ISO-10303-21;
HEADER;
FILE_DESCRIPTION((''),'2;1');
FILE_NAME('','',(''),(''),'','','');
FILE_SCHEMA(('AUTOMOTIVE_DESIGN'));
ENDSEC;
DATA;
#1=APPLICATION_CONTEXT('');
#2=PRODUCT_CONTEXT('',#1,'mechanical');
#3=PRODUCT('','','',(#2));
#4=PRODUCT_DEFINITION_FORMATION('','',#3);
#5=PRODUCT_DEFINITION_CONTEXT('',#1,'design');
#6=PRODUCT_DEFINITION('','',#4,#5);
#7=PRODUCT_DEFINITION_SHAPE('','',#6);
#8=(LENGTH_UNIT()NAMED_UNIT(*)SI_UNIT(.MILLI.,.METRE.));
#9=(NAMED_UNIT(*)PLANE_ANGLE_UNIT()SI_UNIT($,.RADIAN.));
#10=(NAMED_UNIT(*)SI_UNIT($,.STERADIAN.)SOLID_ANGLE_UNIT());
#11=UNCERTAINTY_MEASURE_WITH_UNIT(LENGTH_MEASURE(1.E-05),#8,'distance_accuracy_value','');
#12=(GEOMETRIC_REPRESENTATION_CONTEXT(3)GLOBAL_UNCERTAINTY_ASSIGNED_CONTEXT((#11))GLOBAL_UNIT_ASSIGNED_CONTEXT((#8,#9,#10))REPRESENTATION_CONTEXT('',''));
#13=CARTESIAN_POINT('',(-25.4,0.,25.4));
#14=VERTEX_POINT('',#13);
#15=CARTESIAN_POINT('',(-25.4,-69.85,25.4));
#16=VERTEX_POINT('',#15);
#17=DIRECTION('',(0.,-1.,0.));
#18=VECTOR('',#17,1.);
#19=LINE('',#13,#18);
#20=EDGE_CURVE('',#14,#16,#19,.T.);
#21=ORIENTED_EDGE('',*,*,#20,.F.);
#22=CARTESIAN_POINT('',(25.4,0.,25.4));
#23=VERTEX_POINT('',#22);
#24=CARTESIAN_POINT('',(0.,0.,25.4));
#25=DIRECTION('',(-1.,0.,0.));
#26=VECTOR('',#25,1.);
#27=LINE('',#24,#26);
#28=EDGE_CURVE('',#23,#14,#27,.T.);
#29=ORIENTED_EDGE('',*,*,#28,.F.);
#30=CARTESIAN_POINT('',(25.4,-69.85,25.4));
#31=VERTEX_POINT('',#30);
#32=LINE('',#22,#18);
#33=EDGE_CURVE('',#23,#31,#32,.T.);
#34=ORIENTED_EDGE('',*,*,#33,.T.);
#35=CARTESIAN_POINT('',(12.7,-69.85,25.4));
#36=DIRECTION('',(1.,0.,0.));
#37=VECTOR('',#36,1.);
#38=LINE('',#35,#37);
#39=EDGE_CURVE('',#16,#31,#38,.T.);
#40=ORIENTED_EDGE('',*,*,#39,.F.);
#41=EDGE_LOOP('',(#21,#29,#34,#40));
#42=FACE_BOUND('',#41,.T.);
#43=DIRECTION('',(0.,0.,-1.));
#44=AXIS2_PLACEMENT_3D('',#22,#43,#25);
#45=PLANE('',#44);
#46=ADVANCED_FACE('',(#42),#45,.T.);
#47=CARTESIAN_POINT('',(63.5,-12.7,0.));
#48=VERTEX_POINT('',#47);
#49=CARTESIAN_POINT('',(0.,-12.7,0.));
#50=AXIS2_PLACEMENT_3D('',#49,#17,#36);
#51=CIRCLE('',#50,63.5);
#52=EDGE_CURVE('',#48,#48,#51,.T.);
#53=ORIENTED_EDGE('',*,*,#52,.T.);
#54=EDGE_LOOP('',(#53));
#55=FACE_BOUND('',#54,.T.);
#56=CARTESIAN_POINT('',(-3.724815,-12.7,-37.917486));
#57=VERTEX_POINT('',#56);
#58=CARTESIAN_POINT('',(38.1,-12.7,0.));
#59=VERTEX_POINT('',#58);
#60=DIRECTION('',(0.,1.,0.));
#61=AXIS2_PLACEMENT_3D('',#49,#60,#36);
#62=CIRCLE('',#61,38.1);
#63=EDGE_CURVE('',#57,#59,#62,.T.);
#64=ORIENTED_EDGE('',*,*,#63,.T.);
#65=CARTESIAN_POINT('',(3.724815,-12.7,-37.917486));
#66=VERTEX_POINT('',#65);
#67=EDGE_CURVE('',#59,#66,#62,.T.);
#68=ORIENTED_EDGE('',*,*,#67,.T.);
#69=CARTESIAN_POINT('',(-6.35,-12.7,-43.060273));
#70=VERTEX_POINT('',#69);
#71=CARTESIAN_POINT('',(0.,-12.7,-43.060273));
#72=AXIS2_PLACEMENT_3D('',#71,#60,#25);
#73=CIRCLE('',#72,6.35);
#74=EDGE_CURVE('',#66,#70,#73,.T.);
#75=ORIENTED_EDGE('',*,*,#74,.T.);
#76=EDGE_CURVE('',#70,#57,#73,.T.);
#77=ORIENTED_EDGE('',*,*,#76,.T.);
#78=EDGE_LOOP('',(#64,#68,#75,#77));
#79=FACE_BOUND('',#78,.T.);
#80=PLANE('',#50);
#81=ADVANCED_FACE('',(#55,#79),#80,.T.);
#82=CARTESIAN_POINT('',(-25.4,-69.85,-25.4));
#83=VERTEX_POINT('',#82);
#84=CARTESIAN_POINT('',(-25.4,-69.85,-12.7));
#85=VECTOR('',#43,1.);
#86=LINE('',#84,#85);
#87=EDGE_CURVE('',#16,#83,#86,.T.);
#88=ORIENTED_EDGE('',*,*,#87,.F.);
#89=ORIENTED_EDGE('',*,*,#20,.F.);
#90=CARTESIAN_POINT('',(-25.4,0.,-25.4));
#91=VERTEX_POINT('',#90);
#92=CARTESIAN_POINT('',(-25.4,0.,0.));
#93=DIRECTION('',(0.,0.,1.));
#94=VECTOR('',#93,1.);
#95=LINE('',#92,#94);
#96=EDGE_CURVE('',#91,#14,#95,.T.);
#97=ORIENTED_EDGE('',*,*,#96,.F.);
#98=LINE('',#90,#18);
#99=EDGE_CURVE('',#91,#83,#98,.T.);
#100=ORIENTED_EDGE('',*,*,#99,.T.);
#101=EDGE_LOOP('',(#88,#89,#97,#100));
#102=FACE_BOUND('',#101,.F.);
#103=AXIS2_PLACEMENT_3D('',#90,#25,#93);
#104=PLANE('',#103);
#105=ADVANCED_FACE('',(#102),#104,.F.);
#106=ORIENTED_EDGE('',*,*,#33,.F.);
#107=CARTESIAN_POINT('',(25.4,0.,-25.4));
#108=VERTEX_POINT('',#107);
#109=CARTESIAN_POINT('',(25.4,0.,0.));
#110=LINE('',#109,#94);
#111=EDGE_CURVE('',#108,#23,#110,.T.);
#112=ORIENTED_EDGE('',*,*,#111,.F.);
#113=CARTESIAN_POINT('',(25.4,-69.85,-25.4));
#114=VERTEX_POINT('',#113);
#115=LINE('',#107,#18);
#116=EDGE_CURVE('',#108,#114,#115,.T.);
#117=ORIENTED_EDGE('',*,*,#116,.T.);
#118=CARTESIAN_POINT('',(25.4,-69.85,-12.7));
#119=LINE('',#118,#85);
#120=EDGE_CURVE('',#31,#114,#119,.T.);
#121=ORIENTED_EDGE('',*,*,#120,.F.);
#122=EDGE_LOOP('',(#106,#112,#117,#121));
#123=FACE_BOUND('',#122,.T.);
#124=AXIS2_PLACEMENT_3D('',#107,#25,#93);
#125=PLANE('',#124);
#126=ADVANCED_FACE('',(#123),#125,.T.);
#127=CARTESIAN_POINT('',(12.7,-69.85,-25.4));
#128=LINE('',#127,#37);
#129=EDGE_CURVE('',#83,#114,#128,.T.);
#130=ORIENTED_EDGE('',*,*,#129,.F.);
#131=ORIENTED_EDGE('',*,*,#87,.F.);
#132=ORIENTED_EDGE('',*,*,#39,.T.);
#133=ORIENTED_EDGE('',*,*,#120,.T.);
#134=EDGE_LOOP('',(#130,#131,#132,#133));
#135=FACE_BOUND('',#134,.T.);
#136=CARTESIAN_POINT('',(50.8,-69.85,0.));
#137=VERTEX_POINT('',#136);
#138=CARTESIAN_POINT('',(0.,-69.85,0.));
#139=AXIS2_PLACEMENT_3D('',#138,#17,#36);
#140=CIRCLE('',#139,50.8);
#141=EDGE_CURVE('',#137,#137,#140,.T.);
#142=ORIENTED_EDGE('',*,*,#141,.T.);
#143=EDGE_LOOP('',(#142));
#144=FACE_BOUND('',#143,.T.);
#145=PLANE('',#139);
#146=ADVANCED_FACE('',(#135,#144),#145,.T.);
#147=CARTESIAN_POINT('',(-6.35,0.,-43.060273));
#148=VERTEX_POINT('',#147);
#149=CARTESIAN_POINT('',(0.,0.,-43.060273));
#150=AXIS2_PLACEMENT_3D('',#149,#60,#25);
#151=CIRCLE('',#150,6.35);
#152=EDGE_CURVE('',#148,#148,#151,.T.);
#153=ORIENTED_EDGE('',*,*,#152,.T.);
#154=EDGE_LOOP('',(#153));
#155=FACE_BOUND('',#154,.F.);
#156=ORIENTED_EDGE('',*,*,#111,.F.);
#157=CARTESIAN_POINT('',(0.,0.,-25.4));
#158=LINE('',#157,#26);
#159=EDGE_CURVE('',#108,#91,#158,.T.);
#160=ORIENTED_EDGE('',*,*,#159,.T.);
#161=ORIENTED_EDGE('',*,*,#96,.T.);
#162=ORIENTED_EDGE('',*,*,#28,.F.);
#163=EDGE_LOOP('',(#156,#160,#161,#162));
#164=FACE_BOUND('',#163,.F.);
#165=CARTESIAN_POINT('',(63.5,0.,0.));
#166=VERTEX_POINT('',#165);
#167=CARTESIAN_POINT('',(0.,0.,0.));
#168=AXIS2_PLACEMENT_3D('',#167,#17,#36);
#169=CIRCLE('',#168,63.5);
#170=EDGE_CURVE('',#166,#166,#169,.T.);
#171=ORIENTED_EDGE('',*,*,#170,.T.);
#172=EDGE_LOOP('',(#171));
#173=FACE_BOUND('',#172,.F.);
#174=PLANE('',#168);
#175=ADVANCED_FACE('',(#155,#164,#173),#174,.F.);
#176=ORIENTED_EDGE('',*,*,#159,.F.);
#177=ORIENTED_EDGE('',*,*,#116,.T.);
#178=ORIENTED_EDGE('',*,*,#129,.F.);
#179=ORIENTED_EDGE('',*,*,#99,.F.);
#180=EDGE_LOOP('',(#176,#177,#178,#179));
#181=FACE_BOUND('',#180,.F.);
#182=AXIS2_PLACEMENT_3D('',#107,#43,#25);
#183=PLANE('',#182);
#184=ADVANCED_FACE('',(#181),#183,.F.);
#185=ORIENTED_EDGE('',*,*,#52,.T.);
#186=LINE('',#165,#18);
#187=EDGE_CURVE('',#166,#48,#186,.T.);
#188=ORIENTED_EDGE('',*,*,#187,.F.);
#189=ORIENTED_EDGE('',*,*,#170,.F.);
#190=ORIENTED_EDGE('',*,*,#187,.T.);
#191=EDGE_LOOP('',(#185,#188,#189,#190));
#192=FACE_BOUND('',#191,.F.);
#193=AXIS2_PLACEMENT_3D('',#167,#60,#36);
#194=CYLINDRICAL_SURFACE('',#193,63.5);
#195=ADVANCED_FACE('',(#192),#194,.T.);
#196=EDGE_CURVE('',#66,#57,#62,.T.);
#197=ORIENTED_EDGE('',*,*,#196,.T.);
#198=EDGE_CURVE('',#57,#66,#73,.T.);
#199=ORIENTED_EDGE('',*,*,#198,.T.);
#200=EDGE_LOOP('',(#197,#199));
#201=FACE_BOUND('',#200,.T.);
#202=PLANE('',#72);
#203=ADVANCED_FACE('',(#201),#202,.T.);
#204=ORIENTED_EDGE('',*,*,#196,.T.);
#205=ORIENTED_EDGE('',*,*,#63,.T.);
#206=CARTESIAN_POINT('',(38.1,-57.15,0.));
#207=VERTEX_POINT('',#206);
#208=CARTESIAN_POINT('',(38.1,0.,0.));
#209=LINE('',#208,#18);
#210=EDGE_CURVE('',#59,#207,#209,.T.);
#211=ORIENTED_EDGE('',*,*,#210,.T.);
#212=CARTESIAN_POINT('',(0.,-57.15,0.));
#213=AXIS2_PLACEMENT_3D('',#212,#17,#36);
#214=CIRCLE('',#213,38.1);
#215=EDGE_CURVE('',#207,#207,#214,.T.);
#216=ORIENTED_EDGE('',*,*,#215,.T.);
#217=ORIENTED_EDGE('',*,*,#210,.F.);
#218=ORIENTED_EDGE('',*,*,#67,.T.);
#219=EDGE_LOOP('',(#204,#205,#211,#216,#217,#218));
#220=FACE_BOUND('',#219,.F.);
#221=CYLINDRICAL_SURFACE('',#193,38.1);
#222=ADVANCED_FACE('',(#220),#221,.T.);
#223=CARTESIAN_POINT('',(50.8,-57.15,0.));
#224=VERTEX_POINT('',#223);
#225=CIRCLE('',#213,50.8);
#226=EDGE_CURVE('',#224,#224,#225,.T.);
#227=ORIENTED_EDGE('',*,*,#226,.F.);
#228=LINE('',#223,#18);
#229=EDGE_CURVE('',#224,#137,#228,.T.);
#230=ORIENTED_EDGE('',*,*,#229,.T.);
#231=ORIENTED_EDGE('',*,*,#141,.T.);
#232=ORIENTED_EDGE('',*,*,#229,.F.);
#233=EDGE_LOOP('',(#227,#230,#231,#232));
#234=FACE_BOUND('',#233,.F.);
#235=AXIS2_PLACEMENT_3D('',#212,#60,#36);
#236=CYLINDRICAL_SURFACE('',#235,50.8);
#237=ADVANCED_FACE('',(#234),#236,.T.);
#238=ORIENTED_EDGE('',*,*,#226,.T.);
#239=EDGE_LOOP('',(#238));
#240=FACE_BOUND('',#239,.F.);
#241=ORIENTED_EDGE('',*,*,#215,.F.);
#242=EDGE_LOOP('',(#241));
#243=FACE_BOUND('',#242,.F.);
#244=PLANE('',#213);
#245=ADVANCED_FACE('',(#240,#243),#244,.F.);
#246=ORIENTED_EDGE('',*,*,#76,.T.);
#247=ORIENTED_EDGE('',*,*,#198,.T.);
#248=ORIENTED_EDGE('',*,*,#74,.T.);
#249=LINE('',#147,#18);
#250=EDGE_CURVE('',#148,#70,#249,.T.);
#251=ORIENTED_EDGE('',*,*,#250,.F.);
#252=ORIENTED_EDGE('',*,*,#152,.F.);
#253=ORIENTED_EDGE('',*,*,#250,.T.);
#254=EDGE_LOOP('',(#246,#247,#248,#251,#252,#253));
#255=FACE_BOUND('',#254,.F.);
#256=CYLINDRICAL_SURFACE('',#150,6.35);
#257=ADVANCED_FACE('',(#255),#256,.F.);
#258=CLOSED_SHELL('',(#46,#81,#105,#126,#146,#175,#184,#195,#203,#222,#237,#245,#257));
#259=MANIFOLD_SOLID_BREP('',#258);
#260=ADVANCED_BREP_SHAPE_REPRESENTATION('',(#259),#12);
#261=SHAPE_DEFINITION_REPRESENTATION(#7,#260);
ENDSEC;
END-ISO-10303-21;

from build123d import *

# Parameters (mm, degrees)
F0_R     = 63.5
F0_W     = 50.8
F0_H     = 50.8
F1_DEPTH = 12.7
F2_R     = 38.1
F3_DEPTH = 57.15
F4_R     = 50.8
F5_DEPTH = 12.7
F6_W     = 50.8
F6_H     = 50.8
F7_DEPTH = 82.55
F8_R     = 6.35
F9_DEPTH = 12.7


with BuildPart() as f1:
    # F0 (on Front) → F1 (new body)
    with BuildSketch(Plane.XZ):
        Circle(F0_R)
        Rectangle(F0_W, F0_H, mode=Mode.SUBTRACT)
    extrude(amount=F1_DEPTH)

    # F2 (on Front) → F3 (join)
    with BuildSketch(Plane.XZ):
        Circle(F2_R)
    extrude(amount=F3_DEPTH)

    # F4 (on face) → F5 (join)
    with BuildSketch(Plane.XZ.offset(57.15)):
        Circle(F4_R)
    extrude(amount=F5_DEPTH)

    # F6 (on face) → F7 (cut)
    with BuildSketch(Plane(origin=(0, 0, 0), x_dir=(-1, 0, 0), z_dir=(0, 1, 0))):
        Rectangle(F6_W, F6_H)
    extrude(amount=-F7_DEPTH, mode=Mode.SUBTRACT)

    # F8 (on face) → F9 (cut)
    with BuildSketch(Plane(origin=(0, 0, 0), x_dir=(-1, 0, 0), z_dir=(0, 1, 0))):
        with Locations((0, -43.060273)):
            Circle(F8_R)
    extrude(amount=-F9_DEPTH, mode=Mode.SUBTRACT)


solid = f1.part
